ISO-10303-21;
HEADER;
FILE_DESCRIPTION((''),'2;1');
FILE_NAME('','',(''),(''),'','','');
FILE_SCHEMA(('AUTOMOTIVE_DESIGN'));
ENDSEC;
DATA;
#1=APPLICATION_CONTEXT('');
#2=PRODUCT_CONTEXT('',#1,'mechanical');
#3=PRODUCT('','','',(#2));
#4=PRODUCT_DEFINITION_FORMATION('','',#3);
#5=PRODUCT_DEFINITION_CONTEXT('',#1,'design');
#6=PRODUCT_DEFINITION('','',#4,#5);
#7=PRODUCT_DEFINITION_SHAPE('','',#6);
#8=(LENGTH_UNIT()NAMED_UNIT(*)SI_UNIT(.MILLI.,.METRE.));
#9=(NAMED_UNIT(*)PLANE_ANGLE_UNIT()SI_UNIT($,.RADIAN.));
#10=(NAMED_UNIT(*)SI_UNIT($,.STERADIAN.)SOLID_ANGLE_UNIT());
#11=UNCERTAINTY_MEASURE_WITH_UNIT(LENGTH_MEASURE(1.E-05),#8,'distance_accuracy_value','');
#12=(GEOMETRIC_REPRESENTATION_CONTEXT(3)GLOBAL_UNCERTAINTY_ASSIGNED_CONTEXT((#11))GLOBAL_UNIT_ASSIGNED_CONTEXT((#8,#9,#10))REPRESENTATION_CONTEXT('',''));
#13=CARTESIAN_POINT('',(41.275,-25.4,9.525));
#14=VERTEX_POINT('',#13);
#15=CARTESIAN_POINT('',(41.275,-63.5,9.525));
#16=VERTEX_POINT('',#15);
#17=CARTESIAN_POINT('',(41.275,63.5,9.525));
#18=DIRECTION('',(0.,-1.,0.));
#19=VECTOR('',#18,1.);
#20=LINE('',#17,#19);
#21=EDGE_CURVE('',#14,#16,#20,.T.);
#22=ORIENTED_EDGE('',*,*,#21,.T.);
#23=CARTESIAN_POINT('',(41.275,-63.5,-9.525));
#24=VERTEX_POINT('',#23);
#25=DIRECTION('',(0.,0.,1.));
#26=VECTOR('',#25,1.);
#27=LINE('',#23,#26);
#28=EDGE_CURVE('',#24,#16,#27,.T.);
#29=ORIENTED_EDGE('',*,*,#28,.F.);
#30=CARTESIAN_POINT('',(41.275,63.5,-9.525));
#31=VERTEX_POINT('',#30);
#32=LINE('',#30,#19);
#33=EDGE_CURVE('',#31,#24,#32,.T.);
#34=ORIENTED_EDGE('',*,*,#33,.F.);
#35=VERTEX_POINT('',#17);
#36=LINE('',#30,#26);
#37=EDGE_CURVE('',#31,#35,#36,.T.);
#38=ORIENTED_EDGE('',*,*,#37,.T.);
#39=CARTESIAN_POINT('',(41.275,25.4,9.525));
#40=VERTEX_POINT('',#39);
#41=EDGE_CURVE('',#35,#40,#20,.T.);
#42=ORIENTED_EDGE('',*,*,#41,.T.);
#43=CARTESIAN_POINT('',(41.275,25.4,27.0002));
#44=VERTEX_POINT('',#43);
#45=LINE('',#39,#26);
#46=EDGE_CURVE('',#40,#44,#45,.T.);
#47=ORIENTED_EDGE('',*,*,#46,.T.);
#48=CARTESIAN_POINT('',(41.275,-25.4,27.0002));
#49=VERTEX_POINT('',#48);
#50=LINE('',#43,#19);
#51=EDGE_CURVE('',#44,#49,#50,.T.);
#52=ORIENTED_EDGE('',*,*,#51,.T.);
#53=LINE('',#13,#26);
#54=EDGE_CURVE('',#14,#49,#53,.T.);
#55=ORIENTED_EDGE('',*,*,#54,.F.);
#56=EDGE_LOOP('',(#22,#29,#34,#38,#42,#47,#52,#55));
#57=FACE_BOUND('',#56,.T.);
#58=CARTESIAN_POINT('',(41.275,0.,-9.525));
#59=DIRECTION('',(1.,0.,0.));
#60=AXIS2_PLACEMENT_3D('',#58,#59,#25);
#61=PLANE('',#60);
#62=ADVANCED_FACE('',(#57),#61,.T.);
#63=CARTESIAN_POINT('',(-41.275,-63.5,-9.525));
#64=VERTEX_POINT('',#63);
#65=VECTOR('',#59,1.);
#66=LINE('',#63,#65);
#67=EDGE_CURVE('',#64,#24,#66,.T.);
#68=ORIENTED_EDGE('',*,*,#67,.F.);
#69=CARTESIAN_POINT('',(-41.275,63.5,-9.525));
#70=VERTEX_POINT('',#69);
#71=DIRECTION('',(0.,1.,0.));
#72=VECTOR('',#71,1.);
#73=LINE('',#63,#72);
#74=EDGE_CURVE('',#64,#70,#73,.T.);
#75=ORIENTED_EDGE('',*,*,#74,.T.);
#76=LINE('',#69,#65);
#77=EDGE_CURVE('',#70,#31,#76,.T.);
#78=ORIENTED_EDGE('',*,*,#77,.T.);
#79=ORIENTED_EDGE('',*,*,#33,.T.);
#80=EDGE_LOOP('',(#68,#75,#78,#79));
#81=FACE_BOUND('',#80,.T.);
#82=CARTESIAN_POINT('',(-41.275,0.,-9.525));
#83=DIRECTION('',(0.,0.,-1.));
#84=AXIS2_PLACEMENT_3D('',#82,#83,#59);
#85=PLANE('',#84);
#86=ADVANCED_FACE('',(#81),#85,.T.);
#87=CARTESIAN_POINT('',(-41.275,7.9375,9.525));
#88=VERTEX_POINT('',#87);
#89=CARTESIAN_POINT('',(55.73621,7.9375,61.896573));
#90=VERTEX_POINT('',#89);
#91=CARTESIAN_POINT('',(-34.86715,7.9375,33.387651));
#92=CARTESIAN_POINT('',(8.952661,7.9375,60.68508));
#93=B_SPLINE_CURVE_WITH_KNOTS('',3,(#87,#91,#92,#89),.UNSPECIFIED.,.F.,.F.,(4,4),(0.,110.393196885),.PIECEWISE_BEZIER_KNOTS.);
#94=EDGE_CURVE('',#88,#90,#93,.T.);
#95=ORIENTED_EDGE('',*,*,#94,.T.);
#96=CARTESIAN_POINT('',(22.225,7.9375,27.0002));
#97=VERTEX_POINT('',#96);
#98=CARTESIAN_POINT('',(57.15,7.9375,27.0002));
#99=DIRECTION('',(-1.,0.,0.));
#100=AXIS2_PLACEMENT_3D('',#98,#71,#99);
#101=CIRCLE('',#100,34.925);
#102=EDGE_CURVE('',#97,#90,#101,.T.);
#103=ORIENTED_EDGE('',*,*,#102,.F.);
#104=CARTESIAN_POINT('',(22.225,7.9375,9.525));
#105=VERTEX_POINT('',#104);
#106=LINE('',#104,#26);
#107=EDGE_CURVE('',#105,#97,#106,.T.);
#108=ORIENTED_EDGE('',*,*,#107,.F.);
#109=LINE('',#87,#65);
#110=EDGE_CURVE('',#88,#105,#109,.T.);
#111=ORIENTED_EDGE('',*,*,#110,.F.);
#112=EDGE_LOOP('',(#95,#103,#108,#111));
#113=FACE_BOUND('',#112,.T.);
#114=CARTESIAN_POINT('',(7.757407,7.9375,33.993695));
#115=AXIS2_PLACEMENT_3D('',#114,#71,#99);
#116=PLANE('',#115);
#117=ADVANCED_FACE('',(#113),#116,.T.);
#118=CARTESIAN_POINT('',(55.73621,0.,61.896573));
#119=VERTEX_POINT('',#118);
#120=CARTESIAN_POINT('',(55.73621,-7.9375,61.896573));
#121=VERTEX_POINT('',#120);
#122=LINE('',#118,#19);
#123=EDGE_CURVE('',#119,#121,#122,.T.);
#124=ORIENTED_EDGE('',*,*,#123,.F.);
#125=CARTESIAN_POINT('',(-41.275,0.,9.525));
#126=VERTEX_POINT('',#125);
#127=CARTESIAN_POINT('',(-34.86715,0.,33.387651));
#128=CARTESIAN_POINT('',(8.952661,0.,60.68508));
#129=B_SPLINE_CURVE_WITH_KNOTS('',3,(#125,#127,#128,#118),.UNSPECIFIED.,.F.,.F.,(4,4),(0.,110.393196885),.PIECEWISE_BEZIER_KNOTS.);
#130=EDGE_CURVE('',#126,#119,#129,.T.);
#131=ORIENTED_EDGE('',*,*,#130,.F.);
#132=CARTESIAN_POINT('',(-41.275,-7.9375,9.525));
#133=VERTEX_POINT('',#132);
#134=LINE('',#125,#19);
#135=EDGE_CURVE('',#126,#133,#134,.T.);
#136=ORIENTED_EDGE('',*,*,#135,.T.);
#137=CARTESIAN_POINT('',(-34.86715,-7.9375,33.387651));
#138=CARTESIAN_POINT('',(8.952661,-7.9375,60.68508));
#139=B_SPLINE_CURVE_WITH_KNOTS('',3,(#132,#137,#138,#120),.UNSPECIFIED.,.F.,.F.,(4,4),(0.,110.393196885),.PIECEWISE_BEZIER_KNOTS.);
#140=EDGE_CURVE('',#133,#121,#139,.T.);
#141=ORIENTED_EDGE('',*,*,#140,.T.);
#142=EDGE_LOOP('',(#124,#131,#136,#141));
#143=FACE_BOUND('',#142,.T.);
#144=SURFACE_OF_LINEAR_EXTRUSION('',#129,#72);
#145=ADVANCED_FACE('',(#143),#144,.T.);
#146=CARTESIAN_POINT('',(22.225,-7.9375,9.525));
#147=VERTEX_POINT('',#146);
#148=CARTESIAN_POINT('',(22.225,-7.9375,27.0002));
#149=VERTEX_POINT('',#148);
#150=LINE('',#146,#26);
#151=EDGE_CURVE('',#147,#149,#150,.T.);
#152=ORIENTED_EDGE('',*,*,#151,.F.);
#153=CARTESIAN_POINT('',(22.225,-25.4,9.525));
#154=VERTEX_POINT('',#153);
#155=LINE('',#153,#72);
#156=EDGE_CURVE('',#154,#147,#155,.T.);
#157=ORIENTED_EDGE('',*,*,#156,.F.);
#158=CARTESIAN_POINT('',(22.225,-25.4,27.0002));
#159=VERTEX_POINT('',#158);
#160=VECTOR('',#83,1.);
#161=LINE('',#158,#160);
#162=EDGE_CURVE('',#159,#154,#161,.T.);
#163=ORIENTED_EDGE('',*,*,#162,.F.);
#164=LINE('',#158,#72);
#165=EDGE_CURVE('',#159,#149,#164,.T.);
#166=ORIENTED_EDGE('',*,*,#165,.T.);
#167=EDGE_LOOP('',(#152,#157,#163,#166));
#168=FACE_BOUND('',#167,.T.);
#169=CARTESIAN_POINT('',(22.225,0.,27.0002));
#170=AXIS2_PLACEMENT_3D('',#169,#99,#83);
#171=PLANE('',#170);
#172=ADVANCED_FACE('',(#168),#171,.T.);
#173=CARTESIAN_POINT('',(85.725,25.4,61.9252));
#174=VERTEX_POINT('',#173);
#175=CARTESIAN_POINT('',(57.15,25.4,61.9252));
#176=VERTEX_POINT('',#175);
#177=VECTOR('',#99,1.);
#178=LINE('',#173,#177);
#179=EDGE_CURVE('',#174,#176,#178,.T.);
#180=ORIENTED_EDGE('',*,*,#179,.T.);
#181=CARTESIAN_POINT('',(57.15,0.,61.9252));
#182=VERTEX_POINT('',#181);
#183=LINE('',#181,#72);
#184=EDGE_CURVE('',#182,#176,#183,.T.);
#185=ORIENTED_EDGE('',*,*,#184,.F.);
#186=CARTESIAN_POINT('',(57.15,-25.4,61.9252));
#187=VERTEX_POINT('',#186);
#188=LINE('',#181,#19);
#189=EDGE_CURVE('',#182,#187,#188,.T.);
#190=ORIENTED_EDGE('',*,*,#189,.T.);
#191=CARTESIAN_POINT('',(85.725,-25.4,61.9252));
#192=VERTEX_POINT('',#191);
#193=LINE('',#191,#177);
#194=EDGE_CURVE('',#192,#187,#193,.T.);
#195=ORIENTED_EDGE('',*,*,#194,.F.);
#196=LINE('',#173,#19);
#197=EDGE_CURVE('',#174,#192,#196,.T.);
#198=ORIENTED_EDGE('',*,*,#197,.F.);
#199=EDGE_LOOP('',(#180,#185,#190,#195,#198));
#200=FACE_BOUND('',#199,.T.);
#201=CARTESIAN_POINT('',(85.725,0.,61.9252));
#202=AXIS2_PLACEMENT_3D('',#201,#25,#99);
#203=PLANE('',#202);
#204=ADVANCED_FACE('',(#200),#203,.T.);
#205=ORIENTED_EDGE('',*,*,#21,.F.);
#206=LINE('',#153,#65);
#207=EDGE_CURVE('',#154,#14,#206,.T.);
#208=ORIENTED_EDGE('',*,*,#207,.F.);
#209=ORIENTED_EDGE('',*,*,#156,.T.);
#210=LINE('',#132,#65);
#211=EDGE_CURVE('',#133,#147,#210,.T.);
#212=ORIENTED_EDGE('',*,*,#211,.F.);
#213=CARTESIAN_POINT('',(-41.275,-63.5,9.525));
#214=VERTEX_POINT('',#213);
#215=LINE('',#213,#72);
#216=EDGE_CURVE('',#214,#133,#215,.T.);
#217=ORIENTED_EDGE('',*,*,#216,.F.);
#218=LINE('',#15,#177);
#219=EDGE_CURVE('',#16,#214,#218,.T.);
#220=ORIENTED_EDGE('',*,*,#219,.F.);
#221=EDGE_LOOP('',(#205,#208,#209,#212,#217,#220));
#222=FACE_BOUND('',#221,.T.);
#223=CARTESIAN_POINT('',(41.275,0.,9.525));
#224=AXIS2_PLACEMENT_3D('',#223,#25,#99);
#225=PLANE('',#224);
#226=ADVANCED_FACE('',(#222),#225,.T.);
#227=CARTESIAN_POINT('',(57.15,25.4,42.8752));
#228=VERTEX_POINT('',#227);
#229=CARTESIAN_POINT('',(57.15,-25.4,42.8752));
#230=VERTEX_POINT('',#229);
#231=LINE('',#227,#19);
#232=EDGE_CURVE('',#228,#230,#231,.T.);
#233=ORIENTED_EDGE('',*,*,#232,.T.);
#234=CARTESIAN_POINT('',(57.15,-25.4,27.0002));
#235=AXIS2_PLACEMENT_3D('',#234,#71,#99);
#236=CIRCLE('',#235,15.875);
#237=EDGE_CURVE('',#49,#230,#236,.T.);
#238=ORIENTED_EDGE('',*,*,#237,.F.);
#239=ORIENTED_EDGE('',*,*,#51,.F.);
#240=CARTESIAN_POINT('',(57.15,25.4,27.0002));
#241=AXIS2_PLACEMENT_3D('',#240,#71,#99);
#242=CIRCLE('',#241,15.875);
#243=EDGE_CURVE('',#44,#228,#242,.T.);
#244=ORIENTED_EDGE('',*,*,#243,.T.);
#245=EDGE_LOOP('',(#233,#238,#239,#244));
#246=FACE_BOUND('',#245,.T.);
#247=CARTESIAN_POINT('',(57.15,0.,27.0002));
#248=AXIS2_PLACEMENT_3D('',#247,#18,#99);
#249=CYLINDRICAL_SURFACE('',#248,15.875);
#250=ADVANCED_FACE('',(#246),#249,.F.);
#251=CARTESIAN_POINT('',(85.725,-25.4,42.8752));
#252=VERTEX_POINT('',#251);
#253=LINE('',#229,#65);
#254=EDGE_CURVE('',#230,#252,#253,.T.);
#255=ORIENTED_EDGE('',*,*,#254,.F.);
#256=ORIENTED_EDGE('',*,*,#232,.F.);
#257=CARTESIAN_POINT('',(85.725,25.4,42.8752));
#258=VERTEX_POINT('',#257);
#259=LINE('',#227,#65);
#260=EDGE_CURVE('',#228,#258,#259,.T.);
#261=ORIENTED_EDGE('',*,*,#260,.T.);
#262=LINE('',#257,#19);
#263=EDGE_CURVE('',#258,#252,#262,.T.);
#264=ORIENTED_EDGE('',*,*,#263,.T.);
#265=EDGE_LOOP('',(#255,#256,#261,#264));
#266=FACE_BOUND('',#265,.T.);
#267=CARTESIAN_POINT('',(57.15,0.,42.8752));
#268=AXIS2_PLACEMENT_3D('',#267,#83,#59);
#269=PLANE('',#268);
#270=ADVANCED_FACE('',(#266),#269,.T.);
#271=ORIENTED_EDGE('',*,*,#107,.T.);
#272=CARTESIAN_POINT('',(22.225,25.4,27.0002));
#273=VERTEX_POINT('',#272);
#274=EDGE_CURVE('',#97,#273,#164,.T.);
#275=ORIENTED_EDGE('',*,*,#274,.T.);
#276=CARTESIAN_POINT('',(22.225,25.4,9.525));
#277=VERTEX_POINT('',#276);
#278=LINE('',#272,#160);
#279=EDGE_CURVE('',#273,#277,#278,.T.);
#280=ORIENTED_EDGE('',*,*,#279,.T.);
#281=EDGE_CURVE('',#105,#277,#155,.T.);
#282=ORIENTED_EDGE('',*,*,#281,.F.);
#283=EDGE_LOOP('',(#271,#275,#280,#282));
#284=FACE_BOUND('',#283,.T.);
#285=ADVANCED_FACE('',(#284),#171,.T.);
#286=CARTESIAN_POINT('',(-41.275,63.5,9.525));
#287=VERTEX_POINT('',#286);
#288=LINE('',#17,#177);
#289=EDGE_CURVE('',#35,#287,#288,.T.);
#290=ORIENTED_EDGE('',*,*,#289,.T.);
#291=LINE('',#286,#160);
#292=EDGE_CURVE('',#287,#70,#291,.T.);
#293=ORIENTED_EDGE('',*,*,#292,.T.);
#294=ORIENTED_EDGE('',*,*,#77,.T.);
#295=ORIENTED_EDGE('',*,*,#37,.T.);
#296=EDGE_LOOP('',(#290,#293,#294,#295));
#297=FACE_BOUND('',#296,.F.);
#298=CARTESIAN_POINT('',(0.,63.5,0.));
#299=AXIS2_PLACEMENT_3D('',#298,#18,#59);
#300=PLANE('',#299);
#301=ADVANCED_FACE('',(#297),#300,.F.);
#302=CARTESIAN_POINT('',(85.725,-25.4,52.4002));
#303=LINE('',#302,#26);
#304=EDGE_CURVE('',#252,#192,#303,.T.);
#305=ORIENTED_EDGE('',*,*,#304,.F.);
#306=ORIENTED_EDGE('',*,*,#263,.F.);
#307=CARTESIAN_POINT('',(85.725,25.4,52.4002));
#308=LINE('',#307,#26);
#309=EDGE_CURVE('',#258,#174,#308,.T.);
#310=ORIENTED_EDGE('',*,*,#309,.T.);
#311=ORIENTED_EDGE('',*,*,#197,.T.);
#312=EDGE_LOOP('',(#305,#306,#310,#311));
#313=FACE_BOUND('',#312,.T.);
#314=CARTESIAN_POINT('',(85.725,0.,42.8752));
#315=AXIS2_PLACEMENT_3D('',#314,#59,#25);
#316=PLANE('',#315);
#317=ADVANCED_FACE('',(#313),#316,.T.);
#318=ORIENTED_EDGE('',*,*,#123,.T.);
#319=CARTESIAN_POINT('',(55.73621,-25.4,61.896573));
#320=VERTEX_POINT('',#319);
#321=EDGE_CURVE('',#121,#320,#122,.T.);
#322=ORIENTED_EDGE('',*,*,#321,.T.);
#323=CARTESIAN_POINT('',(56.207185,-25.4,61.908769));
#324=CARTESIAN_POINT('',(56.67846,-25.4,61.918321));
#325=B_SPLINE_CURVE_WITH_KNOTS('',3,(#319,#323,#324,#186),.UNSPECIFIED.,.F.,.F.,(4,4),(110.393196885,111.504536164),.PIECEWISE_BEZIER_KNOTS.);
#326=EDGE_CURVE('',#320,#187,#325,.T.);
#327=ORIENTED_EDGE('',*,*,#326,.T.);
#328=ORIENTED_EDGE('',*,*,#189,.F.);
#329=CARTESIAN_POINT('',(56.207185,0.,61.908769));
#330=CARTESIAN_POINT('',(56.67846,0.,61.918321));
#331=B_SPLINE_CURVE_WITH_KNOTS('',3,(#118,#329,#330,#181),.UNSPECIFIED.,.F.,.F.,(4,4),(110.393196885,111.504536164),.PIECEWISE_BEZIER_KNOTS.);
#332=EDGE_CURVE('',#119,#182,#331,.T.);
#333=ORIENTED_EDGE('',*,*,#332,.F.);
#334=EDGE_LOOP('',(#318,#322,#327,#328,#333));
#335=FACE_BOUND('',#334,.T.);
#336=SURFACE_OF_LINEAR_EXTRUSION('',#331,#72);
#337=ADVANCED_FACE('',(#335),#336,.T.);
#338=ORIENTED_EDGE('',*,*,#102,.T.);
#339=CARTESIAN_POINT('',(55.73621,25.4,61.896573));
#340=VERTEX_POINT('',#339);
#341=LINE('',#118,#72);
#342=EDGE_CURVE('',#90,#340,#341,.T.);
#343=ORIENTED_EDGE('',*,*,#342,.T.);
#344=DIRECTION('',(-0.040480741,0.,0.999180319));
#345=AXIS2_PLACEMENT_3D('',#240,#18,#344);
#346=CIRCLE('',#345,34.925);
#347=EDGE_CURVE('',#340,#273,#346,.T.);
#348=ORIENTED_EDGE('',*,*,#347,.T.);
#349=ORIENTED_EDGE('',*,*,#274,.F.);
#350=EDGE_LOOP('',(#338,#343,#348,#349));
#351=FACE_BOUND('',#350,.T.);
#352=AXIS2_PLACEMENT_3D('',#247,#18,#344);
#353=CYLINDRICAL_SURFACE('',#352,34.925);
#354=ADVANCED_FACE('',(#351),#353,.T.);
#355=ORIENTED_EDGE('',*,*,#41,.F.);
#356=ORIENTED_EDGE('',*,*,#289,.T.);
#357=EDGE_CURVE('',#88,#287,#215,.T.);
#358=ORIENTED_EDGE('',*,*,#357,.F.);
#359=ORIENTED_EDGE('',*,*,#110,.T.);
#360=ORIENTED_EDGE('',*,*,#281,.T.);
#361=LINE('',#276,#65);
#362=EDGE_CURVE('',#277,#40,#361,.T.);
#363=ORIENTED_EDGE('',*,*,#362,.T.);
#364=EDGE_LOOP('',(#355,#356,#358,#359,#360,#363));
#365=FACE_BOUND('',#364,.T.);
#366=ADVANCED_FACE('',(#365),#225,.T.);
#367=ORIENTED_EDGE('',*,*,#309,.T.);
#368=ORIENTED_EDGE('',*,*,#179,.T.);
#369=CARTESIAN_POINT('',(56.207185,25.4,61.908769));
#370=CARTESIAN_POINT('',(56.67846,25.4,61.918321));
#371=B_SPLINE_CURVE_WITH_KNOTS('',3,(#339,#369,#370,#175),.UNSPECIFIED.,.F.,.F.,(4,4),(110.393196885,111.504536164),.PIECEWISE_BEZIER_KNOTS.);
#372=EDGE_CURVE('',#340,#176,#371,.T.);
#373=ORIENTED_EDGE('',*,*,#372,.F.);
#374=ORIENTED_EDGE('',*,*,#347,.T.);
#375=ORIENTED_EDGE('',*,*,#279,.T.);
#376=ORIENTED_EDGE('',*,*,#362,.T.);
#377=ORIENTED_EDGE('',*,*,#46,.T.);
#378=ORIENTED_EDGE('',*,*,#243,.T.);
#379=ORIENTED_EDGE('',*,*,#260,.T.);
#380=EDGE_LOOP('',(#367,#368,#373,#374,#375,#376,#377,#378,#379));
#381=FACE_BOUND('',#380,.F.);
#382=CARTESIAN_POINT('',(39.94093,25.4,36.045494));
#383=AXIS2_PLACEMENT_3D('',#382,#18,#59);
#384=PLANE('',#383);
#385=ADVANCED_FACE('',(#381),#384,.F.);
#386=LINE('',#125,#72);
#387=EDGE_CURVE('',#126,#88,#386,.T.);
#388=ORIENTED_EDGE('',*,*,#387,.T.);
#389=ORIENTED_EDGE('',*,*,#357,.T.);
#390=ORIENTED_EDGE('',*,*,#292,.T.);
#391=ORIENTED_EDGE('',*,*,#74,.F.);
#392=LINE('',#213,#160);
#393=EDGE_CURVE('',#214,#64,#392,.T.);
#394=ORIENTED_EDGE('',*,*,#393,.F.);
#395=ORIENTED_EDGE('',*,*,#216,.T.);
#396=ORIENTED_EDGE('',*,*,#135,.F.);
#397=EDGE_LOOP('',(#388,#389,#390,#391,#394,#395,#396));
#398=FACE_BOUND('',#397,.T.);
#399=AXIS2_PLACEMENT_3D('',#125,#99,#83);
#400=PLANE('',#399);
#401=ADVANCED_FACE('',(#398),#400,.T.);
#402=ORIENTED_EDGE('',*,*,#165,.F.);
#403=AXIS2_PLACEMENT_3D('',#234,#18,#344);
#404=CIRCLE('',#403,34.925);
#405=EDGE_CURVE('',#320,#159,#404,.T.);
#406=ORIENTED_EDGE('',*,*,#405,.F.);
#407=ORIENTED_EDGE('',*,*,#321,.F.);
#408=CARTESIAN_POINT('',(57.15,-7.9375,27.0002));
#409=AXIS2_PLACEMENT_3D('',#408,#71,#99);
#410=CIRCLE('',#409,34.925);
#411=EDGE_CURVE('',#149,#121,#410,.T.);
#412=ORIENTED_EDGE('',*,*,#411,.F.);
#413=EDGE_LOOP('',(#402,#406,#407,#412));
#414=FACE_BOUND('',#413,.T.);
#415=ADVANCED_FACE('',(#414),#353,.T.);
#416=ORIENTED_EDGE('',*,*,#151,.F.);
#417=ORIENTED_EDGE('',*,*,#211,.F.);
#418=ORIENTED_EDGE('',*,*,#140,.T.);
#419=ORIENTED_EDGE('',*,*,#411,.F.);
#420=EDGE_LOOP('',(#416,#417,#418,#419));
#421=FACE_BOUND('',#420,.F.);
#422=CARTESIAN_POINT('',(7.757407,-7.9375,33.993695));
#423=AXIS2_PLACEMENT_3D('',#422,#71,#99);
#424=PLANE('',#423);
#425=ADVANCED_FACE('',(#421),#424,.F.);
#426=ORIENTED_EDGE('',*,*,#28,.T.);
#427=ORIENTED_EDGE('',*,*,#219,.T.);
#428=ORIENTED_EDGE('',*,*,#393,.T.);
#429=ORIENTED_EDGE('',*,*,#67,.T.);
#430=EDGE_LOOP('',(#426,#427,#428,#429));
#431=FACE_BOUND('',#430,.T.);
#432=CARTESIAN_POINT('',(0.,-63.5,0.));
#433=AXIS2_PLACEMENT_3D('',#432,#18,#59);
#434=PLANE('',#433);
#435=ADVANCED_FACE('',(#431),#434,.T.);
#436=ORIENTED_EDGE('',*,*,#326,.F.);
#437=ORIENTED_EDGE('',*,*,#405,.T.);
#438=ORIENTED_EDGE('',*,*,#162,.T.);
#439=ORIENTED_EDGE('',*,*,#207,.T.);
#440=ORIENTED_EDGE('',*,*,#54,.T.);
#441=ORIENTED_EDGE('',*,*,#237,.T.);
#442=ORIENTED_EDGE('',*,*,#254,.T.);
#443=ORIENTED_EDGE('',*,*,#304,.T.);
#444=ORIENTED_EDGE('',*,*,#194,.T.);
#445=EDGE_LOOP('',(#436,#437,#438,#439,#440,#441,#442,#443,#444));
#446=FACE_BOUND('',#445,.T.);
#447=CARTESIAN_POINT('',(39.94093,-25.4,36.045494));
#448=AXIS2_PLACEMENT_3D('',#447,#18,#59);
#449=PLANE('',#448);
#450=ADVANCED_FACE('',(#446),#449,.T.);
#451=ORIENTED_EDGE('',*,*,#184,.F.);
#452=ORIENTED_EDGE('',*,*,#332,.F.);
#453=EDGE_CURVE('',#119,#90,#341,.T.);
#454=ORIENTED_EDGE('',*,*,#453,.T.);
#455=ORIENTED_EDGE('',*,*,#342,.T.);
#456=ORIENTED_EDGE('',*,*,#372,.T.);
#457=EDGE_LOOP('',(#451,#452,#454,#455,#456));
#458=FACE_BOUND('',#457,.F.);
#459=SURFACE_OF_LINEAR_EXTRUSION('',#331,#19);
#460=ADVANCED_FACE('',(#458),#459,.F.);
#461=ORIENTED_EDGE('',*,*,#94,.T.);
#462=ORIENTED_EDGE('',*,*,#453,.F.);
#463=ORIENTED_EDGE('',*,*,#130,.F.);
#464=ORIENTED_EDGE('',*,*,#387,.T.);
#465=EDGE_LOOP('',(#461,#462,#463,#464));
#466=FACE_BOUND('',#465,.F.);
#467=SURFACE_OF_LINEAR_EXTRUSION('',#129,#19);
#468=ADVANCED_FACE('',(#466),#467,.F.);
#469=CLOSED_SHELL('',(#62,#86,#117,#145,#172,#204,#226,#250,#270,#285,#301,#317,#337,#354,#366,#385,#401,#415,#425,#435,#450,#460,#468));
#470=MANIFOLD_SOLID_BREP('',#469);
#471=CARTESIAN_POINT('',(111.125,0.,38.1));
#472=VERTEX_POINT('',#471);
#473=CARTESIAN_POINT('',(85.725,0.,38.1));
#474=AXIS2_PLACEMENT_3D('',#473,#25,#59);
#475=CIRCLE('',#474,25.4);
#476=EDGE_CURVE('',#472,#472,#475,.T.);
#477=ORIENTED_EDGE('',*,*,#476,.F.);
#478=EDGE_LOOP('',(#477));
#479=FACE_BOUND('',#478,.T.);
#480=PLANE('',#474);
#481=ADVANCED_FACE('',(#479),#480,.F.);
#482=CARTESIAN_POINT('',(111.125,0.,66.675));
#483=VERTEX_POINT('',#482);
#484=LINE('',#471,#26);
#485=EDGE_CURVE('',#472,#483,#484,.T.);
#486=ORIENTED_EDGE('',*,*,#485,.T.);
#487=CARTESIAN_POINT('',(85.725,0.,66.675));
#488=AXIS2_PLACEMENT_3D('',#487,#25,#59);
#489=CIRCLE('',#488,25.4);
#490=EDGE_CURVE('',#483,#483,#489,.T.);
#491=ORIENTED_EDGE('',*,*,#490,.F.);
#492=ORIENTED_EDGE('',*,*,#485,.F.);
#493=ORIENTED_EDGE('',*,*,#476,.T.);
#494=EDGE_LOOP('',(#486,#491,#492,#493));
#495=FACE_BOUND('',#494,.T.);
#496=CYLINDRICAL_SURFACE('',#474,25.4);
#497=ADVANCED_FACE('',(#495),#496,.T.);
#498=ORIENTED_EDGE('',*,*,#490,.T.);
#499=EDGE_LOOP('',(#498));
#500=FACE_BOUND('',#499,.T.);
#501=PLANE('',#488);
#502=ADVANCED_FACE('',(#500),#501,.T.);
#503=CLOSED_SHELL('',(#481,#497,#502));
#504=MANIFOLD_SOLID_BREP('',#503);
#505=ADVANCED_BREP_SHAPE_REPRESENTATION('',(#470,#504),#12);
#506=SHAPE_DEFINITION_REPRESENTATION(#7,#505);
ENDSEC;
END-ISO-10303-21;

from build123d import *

# Parameters (mm, degrees)
F1_DEPTH = 63.5
F0_W     = 25.4
F0_H     = 19.05
F2_DEPTH = 25.4
F3_DEPTH = 7.9375


with BuildPart() as f1:
    # F0 (on Front) → F1 (new body, symmetric)
    with BuildSketch(Plane.XZ):
        Polygon((-41.275, -9.525), (41.275, -9.525), (41.275, 9.525), (22.225, 9.525), (-41.275, 9.525), align=None)
    extrude(amount=F1_DEPTH, both=True)

    # F0 (on Front) → F2 (join, symmetric)
    with BuildSketch(Plane.XZ):
        with BuildLine():
            Line((22.225, 9.525), (41.275, 9.525))
            Line((41.275, 9.525), (41.275, 27.0002))
            ThreePointArc((41.275, 27.0002), (45.9246798487, 38.2255201513), (57.15, 42.8752))
            Line((57.15, 42.8752), (60.325, 42.8752))
            Line((60.325, 42.8752), (60.325, 61.9252))
            Line((60.325, 61.9252), (57.15, 61.9252))
            add(Edge.make_bspline(
                [(55.736210138, 61.8965726371), (56.2071847763, 61.9087688492), (56.6784597791, 61.9183213431), (57.15, 61.9252)],
                knots=[110.3931968845, 110.3931968845, 110.3931968845, 110.3931968845, 111.5045361635, 111.5045361635, 111.5045361635, 111.5045361635], degree=3))
            ThreePointArc((55.736210138, 61.8965726371), (31.9594041761, 51.1908905035), (22.225, 27.0002))
            Line((22.225, 27.0002), (22.225, 9.525))
        make_face()
        with Locations((73.025, 52.4002)):
            Rectangle(F0_W, F0_H)
    extrude(amount=F2_DEPTH, both=True)

    # F0 (on Front) → F3 (join, symmetric)
    with BuildSketch(Plane.XZ):
        with BuildLine():
            add(Edge.make_bspline(
                [(-41.275, 9.525), (-34.8671501802, 33.3876511946), (8.9526608143, 60.6850804595), (55.736210138, 61.8965726371)],
                knots=[0, 0, 0, 0, 110.3931968845, 110.3931968845, 110.3931968845, 110.3931968845], degree=3))
            Line((-41.275, 9.525), (22.225, 9.525))
            Line((22.225, 9.525), (22.225, 27.0002))
            ThreePointArc((22.225, 27.0002), (31.9594041761, 51.1908905035), (55.736210138, 61.8965726371))
        make_face()
    extrude(amount=F3_DEPTH, both=True)


with BuildPart() as f4:
    # F0 (on Front) → F4 (revolve)
    with BuildSketch(Plane.XZ):
        Polygon((85.725, 61.9252), (85.725, 42.8752), (85.725, 38.1), (111.125, 38.1), (111.125, 66.675), (85.725, 66.675), align=None)
    revolve(axis=Axis((85.725, 0, 52.4002), (0, 0, 1)))


solid = Compound([f1.part, f4.part])
